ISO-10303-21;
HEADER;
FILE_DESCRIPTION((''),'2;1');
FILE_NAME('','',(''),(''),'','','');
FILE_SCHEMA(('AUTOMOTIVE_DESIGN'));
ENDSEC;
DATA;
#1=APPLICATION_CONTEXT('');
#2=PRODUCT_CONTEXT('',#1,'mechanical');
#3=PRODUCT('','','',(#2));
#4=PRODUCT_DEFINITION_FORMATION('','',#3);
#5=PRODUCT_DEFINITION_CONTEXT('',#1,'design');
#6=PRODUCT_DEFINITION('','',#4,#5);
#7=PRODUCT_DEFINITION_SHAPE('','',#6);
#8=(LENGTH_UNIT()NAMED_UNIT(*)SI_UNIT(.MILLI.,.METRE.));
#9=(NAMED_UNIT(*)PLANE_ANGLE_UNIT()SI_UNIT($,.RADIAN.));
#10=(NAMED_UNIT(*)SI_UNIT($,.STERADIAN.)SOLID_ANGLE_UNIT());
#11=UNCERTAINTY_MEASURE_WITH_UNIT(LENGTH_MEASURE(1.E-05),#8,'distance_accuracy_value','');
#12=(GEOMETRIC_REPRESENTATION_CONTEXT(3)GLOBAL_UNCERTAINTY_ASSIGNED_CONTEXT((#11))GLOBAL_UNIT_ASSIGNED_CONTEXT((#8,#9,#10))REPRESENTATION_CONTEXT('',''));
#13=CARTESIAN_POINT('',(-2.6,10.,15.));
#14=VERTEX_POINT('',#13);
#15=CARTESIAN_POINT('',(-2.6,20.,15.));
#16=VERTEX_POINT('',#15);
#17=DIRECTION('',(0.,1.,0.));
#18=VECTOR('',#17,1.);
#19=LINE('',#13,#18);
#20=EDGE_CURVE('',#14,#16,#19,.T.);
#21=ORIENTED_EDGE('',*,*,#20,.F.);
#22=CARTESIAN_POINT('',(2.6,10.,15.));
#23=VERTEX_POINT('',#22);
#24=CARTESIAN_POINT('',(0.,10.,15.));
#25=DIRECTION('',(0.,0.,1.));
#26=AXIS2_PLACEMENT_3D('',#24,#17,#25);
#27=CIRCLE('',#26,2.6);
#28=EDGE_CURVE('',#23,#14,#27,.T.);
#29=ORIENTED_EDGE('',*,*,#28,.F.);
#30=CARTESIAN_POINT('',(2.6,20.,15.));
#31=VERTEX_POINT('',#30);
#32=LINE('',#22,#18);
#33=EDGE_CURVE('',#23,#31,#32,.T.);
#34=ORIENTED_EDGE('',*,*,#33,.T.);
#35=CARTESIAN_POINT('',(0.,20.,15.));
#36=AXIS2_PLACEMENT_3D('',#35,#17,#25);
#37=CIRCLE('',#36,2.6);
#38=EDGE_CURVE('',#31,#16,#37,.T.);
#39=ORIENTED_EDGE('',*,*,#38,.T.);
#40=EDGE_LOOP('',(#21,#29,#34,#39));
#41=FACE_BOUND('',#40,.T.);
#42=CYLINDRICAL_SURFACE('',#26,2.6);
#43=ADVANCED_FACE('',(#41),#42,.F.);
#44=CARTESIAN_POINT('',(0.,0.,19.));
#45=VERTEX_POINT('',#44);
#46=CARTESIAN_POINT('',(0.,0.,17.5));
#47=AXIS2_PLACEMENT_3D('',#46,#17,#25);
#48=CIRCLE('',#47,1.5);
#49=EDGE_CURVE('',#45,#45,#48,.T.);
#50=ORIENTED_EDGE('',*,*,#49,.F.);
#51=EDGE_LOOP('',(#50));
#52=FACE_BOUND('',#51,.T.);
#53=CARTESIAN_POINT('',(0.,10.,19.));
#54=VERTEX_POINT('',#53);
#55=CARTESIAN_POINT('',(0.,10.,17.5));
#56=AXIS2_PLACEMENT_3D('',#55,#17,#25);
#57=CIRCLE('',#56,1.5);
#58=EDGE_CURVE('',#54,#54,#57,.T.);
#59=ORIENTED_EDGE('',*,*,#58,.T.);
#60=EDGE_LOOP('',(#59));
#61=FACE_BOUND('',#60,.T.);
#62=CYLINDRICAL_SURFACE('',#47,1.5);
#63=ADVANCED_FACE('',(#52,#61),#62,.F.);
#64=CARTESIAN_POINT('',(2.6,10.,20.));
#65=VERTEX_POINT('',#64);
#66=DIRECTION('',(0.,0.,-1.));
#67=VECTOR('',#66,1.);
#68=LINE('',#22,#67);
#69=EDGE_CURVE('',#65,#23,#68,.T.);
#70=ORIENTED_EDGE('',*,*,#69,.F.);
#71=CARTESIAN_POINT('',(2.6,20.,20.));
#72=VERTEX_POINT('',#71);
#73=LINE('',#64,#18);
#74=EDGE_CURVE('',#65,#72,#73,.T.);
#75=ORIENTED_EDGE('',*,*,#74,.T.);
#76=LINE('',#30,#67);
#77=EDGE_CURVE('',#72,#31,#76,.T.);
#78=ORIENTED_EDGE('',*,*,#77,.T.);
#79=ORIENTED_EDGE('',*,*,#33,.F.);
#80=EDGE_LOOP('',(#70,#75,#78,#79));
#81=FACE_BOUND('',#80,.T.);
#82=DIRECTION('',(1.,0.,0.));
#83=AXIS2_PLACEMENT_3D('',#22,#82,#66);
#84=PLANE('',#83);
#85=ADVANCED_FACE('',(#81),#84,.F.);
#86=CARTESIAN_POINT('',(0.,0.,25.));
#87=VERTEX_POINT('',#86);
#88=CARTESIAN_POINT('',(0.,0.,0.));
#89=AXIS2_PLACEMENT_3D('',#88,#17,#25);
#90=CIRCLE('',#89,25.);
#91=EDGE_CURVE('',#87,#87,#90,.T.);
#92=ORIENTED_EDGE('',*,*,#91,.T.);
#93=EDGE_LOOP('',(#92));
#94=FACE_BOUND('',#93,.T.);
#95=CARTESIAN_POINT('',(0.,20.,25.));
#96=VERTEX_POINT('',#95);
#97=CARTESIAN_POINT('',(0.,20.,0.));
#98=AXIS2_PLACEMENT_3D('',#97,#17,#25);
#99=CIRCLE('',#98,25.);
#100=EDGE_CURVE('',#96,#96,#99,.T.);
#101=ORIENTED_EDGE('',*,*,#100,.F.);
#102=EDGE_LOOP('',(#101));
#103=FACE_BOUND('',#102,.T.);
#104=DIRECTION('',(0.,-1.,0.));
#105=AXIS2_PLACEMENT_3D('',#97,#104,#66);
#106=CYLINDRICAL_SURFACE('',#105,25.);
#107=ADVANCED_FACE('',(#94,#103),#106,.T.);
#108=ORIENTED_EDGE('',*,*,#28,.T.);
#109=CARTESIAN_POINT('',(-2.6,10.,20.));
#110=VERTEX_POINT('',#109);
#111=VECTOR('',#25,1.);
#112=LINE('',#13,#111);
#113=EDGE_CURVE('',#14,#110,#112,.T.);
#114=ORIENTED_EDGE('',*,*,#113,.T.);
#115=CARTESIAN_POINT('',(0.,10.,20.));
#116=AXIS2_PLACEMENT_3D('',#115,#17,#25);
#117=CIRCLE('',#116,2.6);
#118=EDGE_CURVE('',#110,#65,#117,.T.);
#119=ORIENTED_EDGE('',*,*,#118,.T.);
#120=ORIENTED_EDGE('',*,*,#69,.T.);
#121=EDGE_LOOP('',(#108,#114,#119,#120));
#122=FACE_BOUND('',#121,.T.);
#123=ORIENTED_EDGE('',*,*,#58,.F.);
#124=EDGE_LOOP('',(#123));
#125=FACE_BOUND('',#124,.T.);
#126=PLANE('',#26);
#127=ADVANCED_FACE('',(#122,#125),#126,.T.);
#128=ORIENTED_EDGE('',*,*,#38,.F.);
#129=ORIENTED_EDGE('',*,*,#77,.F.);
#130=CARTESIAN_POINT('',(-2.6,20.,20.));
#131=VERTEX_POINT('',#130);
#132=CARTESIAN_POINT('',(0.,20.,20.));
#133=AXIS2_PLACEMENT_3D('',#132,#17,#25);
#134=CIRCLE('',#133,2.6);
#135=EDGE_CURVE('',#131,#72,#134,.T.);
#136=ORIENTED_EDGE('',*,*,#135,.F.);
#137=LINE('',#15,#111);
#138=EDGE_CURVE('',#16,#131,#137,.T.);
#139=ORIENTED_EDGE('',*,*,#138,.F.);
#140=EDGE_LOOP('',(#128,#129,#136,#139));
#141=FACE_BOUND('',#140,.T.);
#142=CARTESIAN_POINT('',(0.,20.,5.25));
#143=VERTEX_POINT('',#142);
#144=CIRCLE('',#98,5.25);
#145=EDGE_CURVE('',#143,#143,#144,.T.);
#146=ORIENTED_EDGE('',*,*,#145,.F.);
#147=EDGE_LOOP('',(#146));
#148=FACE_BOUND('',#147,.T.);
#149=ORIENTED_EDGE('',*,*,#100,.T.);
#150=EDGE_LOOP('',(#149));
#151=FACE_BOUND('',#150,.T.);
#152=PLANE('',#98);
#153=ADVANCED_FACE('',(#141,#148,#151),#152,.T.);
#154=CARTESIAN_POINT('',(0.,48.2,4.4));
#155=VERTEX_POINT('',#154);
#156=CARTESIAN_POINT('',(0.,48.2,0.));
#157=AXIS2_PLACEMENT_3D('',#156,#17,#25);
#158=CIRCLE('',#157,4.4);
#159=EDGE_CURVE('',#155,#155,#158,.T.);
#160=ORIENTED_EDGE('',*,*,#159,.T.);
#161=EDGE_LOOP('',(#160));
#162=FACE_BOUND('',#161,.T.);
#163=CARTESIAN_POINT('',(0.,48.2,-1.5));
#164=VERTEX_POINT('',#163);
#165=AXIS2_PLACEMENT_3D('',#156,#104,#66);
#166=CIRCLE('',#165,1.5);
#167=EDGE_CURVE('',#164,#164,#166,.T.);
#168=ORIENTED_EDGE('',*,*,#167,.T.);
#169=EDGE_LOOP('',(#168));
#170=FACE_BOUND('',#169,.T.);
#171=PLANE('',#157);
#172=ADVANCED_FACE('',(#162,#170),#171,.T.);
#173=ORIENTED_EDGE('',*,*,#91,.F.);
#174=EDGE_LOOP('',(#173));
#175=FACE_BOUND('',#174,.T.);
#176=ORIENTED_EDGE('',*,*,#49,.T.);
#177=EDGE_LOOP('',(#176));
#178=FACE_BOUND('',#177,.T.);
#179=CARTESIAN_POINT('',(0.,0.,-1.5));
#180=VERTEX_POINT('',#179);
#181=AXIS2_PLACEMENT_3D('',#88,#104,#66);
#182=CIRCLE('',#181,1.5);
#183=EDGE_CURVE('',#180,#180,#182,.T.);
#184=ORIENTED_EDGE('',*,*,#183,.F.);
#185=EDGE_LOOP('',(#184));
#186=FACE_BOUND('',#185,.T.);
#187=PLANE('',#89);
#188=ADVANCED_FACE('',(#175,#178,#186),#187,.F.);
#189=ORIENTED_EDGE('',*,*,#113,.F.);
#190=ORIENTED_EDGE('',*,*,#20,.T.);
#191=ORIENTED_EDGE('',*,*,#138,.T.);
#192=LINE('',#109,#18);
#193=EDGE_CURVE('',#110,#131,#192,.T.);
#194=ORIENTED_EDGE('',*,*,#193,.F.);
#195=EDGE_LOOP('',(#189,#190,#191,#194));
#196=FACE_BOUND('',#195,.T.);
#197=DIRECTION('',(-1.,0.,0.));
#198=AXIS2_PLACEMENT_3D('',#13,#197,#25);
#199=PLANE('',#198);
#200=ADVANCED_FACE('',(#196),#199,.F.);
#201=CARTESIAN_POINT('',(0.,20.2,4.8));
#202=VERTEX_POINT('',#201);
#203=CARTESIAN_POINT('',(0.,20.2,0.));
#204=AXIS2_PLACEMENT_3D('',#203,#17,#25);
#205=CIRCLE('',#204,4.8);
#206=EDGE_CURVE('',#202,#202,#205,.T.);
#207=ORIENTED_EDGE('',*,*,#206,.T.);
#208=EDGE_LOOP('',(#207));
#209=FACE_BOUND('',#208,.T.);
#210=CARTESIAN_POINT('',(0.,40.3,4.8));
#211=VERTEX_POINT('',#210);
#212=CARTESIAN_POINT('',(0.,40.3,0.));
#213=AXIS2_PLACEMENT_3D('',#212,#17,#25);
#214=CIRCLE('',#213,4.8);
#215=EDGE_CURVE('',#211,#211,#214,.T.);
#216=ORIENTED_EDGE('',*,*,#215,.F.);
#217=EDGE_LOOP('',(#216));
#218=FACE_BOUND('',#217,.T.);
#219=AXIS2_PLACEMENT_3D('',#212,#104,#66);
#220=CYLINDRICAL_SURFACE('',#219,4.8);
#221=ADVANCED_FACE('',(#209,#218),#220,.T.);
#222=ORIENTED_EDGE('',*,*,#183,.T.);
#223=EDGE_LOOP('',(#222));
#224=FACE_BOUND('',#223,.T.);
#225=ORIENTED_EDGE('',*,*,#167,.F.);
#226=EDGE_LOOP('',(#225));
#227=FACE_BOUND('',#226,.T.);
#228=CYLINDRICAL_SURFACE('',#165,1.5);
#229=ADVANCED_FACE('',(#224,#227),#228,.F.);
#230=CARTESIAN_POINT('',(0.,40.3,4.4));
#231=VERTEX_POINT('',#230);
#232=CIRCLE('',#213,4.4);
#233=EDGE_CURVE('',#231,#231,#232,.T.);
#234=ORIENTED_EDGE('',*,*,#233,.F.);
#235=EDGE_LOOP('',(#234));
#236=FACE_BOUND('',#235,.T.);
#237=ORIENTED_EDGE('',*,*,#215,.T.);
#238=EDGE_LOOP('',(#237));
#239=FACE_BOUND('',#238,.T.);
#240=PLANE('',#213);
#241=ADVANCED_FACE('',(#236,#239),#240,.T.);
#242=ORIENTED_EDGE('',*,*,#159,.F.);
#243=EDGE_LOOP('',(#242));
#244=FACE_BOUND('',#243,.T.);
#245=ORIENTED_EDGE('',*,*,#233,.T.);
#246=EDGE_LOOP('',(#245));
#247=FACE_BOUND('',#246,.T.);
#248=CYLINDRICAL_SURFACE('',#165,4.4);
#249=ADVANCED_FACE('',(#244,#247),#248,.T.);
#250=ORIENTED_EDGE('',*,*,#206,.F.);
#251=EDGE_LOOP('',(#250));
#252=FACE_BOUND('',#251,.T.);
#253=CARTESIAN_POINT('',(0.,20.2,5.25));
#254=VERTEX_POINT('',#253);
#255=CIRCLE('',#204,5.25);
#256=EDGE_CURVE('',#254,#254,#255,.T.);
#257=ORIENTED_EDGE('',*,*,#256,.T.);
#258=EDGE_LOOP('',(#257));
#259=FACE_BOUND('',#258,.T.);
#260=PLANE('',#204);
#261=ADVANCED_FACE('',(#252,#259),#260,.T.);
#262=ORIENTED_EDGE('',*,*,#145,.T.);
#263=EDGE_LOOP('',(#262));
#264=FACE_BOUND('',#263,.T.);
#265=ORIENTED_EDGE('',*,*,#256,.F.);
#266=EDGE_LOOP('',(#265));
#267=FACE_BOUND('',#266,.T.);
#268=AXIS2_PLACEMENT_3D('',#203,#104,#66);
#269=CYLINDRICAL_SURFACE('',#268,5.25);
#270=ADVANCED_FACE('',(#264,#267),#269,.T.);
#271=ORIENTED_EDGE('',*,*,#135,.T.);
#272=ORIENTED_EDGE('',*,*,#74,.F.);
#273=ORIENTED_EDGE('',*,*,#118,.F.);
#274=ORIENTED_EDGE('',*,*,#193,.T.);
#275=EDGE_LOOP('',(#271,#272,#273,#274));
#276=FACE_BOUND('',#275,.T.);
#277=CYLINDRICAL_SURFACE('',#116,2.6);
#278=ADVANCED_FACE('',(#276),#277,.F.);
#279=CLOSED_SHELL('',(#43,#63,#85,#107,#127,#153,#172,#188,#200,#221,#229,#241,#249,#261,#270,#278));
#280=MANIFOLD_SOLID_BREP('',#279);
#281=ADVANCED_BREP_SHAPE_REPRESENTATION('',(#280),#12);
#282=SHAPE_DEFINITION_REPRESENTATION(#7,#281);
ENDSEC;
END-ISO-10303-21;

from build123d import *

# Parameters (mm, degrees)
SKETCH1_R           = 25
BOSS_EXTRUDE1_DEPTH = 20
CUT_EXTRUDE2_DEPTH  = 10
SKETCH5_R           = 1.5
CUT_EXTRUDE3_DEPTH  = 37.742346142
SKETCH2_R           = 5.25
BOSS_EXTRUDE2_DEPTH = 0.2
SKETCH7_R           = 4.8
BOSS_EXTRUDE3_DEPTH = 20.1
SKETCH8_R           = 4.4
BOSS_EXTRUDE4_DEPTH = 7.9
SKETCH6_R           = 1.5
CUT_EXTRUDE4_DEPTH  = 60.776584044


with BuildPart() as part:
    # Sketch1 → Boss-Extrude1 (new body)
    with BuildSketch(Plane(origin=(0, 0, 0), x_dir=(1, 0, 0), z_dir=(0, 1, 0))):
        with Locations(Location((0, 0, 0), (0, 0, 270))):
            Circle(SKETCH1_R)
    extrude(amount=BOSS_EXTRUDE1_DEPTH)

    # Sketch3 → Cut-Extrude2 (cut)
    with BuildSketch(Plane(origin=(0, 20, 0), x_dir=(1, 0, 0), z_dir=(0, 1, 0))):
        with BuildLine():
            Line((-2.6, -15), (-2.6, -20))
            ThreePointArc((-2.6, -20), (0, -22.6), (2.6, -20))
            Line((2.6, -20), (2.6, -15))
            ThreePointArc((2.6, -15), (0, -12.4), (-2.6, -15))
        make_face()
    extrude(amount=-CUT_EXTRUDE2_DEPTH, mode=Mode.SUBTRACT)

    # Sketch5 → Cut-Extrude3 (cut, through all)
    with BuildSketch(Plane(origin=(0, 10, 0), x_dir=(1, 0, 0), z_dir=(0, 1, 0))):
        with Locations(Location((0, -17.5, 0), (0, 0, 270))):
            Circle(SKETCH5_R)
    extrude(amount=-CUT_EXTRUDE3_DEPTH, mode=Mode.SUBTRACT)

    # Sketch2 → Boss-Extrude2 (add)
    with BuildSketch(Plane(origin=(0, 20, 0), x_dir=(1, 0, 0), z_dir=(0, 1, 0))):
        with Locations(Location((0, 0, 0), (0, 0, 270))):
            Circle(SKETCH2_R)
    extrude(amount=BOSS_EXTRUDE2_DEPTH)

    # Sketch7 → Boss-Extrude3 (add)
    with BuildSketch(Plane(origin=(0, 20.2, 0), x_dir=(1, 0, 0), z_dir=(0, 1, 0))):
        with Locations(Location((0, 0, 0), (0, 0, 270))):
            Circle(SKETCH7_R)
    extrude(amount=BOSS_EXTRUDE3_DEPTH)

    # Sketch8 → Boss-Extrude4 (add)
    with BuildSketch(Plane(origin=(0, 40.3, 0), x_dir=(1, 0, 0), z_dir=(0, 1, 0))):
        with Locations(Location((0, 0, 0), (0, 0, 270))):
            Circle(SKETCH8_R)
    extrude(amount=BOSS_EXTRUDE4_DEPTH)

    # Sketch6 → Cut-Extrude4 (cut, through all)
    with BuildSketch(Plane.XZ):
        with Locations(Location((0, 0, 0), (0, 0, 270))):
            Circle(SKETCH6_R)
    extrude(amount=-CUT_EXTRUDE4_DEPTH, mode=Mode.SUBTRACT)


solid = part.part
